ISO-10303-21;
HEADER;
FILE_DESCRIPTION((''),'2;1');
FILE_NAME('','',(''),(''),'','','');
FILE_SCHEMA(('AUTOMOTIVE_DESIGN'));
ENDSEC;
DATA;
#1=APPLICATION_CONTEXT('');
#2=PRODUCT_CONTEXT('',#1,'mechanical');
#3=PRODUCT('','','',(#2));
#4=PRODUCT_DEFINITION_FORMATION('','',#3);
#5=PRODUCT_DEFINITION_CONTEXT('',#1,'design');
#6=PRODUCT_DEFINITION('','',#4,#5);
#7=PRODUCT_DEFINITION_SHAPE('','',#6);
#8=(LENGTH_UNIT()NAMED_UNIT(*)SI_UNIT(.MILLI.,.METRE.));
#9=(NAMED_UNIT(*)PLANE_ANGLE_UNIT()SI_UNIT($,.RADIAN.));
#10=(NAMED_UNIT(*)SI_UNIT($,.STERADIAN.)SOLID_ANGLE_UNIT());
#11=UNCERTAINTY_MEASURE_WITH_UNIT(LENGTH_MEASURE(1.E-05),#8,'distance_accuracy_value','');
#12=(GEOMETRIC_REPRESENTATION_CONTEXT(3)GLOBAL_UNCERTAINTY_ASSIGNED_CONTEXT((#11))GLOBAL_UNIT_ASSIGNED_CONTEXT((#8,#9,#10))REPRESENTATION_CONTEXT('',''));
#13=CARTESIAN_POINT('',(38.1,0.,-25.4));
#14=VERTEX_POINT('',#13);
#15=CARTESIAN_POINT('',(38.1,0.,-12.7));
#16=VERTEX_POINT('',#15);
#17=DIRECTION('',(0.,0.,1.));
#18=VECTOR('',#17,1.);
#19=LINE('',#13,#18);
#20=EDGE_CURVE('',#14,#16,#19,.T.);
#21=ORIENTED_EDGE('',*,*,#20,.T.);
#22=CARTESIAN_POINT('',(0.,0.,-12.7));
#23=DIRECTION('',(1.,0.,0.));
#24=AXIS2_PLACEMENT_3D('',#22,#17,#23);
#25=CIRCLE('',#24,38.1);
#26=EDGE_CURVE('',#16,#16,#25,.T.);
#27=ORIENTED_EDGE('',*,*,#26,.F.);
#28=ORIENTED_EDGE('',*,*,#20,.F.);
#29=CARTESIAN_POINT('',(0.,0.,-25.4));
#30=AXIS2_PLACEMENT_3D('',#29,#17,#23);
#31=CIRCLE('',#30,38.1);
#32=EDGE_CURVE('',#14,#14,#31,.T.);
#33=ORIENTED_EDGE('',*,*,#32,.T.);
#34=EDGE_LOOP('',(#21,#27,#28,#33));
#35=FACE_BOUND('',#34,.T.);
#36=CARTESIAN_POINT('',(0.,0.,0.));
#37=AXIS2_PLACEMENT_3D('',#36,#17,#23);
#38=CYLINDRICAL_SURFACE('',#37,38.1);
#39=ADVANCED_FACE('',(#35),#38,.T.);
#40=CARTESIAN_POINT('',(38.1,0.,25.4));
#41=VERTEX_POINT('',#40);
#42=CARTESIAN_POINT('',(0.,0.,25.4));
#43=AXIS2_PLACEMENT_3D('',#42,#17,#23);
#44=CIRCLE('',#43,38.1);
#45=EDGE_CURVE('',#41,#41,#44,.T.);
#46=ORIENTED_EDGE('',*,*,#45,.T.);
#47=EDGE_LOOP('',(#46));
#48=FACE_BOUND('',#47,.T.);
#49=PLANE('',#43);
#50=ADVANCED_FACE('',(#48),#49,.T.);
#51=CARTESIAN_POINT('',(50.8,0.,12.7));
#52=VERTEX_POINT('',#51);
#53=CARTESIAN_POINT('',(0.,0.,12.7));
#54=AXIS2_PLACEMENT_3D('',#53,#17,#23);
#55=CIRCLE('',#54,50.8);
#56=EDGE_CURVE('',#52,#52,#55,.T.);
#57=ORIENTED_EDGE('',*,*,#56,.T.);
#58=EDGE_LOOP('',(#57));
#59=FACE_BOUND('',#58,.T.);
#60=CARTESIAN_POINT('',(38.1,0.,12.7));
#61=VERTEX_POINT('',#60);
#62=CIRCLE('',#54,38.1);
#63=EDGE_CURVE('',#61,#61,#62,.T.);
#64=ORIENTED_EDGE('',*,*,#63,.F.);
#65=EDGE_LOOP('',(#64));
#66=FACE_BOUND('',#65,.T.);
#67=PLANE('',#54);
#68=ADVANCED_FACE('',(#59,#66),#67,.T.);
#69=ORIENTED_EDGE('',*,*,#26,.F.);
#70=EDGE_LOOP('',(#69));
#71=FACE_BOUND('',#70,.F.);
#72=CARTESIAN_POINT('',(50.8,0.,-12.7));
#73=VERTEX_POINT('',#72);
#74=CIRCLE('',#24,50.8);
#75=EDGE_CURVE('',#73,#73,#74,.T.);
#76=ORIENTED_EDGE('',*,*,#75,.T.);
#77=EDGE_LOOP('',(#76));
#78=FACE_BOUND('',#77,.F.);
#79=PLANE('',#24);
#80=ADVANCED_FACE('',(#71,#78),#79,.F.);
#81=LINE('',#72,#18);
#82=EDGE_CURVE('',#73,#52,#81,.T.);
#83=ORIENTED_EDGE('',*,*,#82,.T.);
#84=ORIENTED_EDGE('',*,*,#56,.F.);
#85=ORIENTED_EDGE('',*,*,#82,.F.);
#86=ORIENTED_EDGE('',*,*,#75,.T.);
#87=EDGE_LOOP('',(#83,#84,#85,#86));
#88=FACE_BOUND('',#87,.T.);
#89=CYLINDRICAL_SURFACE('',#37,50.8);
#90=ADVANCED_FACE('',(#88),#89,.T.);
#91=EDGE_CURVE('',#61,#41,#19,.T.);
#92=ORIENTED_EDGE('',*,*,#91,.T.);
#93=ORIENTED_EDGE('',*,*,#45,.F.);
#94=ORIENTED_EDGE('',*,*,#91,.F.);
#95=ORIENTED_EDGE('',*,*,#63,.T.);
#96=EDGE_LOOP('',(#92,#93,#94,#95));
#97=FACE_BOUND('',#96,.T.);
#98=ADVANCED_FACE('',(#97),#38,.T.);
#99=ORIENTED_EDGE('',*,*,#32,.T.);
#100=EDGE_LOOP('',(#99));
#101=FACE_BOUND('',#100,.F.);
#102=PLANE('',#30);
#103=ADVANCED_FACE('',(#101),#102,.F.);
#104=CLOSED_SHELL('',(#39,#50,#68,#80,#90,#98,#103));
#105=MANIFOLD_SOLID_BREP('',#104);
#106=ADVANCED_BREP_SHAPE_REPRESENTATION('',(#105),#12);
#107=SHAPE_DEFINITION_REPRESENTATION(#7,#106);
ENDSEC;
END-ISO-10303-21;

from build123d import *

# Parameters (mm, degrees)
F0_R     = 38.1
F1_DEPTH = 25.4
F0_R_2   = 50.8
F2_DEPTH = 12.7


with BuildPart() as f1:
    # F0 (on Top) → F1 (new body, symmetric)
    with BuildSketch(Plane.XY):
        Circle(F0_R)
    extrude(amount=F1_DEPTH, both=True)

    # F0 (on Top) → F2 (join, symmetric)
    with BuildSketch(Plane.XY):
        Circle(F0_R_2)
        Circle(F0_R, mode=Mode.SUBTRACT)
    extrude(amount=F2_DEPTH, both=True)


solid = f1.part
